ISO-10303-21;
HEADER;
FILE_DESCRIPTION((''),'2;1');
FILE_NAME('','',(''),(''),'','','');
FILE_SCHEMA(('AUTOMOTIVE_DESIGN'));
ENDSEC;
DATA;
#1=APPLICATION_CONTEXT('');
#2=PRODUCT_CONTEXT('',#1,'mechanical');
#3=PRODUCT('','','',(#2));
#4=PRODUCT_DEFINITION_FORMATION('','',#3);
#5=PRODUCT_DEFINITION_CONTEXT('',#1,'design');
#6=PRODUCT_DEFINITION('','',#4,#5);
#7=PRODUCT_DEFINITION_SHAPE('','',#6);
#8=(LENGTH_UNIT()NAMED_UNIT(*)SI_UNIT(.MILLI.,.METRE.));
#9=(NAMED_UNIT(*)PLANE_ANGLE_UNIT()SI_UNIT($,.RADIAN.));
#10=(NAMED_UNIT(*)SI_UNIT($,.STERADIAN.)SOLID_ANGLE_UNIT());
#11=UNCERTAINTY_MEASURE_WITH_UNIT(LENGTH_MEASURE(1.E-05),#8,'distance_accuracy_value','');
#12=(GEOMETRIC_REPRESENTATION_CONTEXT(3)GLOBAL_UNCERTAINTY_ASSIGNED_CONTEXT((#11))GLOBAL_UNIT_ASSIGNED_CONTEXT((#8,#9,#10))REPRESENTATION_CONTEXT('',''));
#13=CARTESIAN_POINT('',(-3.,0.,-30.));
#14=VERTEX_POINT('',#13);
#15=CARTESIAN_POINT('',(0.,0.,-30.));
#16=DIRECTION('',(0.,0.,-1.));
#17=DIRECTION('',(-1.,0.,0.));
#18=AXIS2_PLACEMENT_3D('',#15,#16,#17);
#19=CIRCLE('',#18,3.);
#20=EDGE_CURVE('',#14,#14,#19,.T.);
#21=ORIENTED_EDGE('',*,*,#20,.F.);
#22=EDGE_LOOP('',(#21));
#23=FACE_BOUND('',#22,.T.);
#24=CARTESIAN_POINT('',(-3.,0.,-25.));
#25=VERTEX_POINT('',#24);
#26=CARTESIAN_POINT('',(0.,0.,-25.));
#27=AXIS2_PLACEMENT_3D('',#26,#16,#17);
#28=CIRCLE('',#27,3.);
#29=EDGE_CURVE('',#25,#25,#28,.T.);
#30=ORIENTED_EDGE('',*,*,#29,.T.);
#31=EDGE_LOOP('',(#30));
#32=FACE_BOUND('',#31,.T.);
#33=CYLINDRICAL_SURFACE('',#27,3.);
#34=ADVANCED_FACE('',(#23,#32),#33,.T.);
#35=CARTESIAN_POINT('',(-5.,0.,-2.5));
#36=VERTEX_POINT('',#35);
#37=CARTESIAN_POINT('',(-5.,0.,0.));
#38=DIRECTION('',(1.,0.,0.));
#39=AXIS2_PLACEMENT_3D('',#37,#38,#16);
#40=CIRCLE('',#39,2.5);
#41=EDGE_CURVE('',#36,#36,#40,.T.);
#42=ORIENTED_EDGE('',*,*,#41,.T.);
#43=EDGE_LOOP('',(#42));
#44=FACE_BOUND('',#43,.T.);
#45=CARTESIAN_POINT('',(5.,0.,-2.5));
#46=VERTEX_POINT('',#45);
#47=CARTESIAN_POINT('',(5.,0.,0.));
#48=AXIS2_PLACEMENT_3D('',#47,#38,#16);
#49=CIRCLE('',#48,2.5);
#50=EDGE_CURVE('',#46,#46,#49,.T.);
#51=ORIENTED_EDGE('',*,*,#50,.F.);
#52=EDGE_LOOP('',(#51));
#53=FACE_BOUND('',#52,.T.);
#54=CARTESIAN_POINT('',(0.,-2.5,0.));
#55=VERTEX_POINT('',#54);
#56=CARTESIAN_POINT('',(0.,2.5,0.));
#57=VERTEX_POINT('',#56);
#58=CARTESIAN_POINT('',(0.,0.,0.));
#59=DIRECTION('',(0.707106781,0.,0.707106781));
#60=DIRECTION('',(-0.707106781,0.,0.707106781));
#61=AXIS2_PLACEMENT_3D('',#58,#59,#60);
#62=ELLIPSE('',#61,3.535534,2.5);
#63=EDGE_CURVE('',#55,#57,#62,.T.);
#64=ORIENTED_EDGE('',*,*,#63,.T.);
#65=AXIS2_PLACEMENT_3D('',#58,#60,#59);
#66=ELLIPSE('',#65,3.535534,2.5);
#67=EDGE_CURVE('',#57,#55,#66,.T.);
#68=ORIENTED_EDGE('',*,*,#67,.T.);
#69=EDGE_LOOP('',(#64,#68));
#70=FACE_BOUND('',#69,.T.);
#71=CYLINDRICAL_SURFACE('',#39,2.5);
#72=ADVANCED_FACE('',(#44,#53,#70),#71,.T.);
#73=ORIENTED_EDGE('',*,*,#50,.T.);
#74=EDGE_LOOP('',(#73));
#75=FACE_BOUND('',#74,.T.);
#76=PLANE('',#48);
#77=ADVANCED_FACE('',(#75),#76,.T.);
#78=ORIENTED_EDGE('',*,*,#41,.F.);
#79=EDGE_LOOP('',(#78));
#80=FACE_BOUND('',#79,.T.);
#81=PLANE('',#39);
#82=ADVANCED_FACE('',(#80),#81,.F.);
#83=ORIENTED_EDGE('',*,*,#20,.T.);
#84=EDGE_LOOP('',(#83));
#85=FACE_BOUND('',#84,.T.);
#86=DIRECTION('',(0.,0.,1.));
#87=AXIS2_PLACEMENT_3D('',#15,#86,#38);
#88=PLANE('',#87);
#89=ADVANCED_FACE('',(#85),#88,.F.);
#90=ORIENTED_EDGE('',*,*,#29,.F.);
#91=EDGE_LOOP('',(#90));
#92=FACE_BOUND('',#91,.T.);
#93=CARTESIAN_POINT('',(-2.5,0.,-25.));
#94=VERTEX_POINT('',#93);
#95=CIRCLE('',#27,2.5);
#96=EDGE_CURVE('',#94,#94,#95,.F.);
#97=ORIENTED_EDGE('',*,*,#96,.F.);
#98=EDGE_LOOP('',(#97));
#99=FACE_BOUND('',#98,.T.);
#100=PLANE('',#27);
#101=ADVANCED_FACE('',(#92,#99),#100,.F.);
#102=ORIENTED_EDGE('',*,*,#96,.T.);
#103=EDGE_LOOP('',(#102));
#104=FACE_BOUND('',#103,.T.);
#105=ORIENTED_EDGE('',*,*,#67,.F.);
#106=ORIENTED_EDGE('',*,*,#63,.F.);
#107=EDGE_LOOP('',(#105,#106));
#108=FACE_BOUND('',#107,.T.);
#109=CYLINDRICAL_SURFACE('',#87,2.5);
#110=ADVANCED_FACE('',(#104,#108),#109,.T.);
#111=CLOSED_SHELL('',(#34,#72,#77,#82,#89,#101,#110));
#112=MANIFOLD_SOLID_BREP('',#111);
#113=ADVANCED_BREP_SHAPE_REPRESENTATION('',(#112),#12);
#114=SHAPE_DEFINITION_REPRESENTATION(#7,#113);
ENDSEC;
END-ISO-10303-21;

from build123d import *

# Parameters (mm, degrees)
SKETCH1_R                = 2.5
BOSS_EXTRUDE1_DEPTH      = 30
BOSS_EXTRUDE2_DEPTH      = 5
BOSS_EXTRUDE2_DEPTH_BACK = 5
SKETCH2_R                = 2.5
SKETCH3_R                = 3
BOSS_EXTRUDE3_DEPTH      = 5


with BuildPart() as part:
    # Sketch1 → Boss-Extrude1 (new body)
    with BuildSketch(Plane.XY):
        Circle(SKETCH1_R)
    extrude(amount=-BOSS_EXTRUDE1_DEPTH)

    # Sketch2 → Boss-Extrude2 (add, two sides: drawn at the far end of the back side and taken through both)
    with BuildSketch(Plane(origin=(0, 0, 0), x_dir=(0, 0, -1), z_dir=(1, 0, 0)).offset(-BOSS_EXTRUDE2_DEPTH_BACK)):
        Circle(SKETCH2_R)
    extrude(amount=BOSS_EXTRUDE2_DEPTH + BOSS_EXTRUDE2_DEPTH_BACK)

    # Sketch3 → Boss-Extrude3 (add)
    with BuildSketch(Plane(origin=(0, 0, -30), x_dir=(-1, 0, 0), z_dir=(0, 0, -1))):
        Circle(SKETCH3_R)
    extrude(amount=-BOSS_EXTRUDE3_DEPTH)


solid = part.part
